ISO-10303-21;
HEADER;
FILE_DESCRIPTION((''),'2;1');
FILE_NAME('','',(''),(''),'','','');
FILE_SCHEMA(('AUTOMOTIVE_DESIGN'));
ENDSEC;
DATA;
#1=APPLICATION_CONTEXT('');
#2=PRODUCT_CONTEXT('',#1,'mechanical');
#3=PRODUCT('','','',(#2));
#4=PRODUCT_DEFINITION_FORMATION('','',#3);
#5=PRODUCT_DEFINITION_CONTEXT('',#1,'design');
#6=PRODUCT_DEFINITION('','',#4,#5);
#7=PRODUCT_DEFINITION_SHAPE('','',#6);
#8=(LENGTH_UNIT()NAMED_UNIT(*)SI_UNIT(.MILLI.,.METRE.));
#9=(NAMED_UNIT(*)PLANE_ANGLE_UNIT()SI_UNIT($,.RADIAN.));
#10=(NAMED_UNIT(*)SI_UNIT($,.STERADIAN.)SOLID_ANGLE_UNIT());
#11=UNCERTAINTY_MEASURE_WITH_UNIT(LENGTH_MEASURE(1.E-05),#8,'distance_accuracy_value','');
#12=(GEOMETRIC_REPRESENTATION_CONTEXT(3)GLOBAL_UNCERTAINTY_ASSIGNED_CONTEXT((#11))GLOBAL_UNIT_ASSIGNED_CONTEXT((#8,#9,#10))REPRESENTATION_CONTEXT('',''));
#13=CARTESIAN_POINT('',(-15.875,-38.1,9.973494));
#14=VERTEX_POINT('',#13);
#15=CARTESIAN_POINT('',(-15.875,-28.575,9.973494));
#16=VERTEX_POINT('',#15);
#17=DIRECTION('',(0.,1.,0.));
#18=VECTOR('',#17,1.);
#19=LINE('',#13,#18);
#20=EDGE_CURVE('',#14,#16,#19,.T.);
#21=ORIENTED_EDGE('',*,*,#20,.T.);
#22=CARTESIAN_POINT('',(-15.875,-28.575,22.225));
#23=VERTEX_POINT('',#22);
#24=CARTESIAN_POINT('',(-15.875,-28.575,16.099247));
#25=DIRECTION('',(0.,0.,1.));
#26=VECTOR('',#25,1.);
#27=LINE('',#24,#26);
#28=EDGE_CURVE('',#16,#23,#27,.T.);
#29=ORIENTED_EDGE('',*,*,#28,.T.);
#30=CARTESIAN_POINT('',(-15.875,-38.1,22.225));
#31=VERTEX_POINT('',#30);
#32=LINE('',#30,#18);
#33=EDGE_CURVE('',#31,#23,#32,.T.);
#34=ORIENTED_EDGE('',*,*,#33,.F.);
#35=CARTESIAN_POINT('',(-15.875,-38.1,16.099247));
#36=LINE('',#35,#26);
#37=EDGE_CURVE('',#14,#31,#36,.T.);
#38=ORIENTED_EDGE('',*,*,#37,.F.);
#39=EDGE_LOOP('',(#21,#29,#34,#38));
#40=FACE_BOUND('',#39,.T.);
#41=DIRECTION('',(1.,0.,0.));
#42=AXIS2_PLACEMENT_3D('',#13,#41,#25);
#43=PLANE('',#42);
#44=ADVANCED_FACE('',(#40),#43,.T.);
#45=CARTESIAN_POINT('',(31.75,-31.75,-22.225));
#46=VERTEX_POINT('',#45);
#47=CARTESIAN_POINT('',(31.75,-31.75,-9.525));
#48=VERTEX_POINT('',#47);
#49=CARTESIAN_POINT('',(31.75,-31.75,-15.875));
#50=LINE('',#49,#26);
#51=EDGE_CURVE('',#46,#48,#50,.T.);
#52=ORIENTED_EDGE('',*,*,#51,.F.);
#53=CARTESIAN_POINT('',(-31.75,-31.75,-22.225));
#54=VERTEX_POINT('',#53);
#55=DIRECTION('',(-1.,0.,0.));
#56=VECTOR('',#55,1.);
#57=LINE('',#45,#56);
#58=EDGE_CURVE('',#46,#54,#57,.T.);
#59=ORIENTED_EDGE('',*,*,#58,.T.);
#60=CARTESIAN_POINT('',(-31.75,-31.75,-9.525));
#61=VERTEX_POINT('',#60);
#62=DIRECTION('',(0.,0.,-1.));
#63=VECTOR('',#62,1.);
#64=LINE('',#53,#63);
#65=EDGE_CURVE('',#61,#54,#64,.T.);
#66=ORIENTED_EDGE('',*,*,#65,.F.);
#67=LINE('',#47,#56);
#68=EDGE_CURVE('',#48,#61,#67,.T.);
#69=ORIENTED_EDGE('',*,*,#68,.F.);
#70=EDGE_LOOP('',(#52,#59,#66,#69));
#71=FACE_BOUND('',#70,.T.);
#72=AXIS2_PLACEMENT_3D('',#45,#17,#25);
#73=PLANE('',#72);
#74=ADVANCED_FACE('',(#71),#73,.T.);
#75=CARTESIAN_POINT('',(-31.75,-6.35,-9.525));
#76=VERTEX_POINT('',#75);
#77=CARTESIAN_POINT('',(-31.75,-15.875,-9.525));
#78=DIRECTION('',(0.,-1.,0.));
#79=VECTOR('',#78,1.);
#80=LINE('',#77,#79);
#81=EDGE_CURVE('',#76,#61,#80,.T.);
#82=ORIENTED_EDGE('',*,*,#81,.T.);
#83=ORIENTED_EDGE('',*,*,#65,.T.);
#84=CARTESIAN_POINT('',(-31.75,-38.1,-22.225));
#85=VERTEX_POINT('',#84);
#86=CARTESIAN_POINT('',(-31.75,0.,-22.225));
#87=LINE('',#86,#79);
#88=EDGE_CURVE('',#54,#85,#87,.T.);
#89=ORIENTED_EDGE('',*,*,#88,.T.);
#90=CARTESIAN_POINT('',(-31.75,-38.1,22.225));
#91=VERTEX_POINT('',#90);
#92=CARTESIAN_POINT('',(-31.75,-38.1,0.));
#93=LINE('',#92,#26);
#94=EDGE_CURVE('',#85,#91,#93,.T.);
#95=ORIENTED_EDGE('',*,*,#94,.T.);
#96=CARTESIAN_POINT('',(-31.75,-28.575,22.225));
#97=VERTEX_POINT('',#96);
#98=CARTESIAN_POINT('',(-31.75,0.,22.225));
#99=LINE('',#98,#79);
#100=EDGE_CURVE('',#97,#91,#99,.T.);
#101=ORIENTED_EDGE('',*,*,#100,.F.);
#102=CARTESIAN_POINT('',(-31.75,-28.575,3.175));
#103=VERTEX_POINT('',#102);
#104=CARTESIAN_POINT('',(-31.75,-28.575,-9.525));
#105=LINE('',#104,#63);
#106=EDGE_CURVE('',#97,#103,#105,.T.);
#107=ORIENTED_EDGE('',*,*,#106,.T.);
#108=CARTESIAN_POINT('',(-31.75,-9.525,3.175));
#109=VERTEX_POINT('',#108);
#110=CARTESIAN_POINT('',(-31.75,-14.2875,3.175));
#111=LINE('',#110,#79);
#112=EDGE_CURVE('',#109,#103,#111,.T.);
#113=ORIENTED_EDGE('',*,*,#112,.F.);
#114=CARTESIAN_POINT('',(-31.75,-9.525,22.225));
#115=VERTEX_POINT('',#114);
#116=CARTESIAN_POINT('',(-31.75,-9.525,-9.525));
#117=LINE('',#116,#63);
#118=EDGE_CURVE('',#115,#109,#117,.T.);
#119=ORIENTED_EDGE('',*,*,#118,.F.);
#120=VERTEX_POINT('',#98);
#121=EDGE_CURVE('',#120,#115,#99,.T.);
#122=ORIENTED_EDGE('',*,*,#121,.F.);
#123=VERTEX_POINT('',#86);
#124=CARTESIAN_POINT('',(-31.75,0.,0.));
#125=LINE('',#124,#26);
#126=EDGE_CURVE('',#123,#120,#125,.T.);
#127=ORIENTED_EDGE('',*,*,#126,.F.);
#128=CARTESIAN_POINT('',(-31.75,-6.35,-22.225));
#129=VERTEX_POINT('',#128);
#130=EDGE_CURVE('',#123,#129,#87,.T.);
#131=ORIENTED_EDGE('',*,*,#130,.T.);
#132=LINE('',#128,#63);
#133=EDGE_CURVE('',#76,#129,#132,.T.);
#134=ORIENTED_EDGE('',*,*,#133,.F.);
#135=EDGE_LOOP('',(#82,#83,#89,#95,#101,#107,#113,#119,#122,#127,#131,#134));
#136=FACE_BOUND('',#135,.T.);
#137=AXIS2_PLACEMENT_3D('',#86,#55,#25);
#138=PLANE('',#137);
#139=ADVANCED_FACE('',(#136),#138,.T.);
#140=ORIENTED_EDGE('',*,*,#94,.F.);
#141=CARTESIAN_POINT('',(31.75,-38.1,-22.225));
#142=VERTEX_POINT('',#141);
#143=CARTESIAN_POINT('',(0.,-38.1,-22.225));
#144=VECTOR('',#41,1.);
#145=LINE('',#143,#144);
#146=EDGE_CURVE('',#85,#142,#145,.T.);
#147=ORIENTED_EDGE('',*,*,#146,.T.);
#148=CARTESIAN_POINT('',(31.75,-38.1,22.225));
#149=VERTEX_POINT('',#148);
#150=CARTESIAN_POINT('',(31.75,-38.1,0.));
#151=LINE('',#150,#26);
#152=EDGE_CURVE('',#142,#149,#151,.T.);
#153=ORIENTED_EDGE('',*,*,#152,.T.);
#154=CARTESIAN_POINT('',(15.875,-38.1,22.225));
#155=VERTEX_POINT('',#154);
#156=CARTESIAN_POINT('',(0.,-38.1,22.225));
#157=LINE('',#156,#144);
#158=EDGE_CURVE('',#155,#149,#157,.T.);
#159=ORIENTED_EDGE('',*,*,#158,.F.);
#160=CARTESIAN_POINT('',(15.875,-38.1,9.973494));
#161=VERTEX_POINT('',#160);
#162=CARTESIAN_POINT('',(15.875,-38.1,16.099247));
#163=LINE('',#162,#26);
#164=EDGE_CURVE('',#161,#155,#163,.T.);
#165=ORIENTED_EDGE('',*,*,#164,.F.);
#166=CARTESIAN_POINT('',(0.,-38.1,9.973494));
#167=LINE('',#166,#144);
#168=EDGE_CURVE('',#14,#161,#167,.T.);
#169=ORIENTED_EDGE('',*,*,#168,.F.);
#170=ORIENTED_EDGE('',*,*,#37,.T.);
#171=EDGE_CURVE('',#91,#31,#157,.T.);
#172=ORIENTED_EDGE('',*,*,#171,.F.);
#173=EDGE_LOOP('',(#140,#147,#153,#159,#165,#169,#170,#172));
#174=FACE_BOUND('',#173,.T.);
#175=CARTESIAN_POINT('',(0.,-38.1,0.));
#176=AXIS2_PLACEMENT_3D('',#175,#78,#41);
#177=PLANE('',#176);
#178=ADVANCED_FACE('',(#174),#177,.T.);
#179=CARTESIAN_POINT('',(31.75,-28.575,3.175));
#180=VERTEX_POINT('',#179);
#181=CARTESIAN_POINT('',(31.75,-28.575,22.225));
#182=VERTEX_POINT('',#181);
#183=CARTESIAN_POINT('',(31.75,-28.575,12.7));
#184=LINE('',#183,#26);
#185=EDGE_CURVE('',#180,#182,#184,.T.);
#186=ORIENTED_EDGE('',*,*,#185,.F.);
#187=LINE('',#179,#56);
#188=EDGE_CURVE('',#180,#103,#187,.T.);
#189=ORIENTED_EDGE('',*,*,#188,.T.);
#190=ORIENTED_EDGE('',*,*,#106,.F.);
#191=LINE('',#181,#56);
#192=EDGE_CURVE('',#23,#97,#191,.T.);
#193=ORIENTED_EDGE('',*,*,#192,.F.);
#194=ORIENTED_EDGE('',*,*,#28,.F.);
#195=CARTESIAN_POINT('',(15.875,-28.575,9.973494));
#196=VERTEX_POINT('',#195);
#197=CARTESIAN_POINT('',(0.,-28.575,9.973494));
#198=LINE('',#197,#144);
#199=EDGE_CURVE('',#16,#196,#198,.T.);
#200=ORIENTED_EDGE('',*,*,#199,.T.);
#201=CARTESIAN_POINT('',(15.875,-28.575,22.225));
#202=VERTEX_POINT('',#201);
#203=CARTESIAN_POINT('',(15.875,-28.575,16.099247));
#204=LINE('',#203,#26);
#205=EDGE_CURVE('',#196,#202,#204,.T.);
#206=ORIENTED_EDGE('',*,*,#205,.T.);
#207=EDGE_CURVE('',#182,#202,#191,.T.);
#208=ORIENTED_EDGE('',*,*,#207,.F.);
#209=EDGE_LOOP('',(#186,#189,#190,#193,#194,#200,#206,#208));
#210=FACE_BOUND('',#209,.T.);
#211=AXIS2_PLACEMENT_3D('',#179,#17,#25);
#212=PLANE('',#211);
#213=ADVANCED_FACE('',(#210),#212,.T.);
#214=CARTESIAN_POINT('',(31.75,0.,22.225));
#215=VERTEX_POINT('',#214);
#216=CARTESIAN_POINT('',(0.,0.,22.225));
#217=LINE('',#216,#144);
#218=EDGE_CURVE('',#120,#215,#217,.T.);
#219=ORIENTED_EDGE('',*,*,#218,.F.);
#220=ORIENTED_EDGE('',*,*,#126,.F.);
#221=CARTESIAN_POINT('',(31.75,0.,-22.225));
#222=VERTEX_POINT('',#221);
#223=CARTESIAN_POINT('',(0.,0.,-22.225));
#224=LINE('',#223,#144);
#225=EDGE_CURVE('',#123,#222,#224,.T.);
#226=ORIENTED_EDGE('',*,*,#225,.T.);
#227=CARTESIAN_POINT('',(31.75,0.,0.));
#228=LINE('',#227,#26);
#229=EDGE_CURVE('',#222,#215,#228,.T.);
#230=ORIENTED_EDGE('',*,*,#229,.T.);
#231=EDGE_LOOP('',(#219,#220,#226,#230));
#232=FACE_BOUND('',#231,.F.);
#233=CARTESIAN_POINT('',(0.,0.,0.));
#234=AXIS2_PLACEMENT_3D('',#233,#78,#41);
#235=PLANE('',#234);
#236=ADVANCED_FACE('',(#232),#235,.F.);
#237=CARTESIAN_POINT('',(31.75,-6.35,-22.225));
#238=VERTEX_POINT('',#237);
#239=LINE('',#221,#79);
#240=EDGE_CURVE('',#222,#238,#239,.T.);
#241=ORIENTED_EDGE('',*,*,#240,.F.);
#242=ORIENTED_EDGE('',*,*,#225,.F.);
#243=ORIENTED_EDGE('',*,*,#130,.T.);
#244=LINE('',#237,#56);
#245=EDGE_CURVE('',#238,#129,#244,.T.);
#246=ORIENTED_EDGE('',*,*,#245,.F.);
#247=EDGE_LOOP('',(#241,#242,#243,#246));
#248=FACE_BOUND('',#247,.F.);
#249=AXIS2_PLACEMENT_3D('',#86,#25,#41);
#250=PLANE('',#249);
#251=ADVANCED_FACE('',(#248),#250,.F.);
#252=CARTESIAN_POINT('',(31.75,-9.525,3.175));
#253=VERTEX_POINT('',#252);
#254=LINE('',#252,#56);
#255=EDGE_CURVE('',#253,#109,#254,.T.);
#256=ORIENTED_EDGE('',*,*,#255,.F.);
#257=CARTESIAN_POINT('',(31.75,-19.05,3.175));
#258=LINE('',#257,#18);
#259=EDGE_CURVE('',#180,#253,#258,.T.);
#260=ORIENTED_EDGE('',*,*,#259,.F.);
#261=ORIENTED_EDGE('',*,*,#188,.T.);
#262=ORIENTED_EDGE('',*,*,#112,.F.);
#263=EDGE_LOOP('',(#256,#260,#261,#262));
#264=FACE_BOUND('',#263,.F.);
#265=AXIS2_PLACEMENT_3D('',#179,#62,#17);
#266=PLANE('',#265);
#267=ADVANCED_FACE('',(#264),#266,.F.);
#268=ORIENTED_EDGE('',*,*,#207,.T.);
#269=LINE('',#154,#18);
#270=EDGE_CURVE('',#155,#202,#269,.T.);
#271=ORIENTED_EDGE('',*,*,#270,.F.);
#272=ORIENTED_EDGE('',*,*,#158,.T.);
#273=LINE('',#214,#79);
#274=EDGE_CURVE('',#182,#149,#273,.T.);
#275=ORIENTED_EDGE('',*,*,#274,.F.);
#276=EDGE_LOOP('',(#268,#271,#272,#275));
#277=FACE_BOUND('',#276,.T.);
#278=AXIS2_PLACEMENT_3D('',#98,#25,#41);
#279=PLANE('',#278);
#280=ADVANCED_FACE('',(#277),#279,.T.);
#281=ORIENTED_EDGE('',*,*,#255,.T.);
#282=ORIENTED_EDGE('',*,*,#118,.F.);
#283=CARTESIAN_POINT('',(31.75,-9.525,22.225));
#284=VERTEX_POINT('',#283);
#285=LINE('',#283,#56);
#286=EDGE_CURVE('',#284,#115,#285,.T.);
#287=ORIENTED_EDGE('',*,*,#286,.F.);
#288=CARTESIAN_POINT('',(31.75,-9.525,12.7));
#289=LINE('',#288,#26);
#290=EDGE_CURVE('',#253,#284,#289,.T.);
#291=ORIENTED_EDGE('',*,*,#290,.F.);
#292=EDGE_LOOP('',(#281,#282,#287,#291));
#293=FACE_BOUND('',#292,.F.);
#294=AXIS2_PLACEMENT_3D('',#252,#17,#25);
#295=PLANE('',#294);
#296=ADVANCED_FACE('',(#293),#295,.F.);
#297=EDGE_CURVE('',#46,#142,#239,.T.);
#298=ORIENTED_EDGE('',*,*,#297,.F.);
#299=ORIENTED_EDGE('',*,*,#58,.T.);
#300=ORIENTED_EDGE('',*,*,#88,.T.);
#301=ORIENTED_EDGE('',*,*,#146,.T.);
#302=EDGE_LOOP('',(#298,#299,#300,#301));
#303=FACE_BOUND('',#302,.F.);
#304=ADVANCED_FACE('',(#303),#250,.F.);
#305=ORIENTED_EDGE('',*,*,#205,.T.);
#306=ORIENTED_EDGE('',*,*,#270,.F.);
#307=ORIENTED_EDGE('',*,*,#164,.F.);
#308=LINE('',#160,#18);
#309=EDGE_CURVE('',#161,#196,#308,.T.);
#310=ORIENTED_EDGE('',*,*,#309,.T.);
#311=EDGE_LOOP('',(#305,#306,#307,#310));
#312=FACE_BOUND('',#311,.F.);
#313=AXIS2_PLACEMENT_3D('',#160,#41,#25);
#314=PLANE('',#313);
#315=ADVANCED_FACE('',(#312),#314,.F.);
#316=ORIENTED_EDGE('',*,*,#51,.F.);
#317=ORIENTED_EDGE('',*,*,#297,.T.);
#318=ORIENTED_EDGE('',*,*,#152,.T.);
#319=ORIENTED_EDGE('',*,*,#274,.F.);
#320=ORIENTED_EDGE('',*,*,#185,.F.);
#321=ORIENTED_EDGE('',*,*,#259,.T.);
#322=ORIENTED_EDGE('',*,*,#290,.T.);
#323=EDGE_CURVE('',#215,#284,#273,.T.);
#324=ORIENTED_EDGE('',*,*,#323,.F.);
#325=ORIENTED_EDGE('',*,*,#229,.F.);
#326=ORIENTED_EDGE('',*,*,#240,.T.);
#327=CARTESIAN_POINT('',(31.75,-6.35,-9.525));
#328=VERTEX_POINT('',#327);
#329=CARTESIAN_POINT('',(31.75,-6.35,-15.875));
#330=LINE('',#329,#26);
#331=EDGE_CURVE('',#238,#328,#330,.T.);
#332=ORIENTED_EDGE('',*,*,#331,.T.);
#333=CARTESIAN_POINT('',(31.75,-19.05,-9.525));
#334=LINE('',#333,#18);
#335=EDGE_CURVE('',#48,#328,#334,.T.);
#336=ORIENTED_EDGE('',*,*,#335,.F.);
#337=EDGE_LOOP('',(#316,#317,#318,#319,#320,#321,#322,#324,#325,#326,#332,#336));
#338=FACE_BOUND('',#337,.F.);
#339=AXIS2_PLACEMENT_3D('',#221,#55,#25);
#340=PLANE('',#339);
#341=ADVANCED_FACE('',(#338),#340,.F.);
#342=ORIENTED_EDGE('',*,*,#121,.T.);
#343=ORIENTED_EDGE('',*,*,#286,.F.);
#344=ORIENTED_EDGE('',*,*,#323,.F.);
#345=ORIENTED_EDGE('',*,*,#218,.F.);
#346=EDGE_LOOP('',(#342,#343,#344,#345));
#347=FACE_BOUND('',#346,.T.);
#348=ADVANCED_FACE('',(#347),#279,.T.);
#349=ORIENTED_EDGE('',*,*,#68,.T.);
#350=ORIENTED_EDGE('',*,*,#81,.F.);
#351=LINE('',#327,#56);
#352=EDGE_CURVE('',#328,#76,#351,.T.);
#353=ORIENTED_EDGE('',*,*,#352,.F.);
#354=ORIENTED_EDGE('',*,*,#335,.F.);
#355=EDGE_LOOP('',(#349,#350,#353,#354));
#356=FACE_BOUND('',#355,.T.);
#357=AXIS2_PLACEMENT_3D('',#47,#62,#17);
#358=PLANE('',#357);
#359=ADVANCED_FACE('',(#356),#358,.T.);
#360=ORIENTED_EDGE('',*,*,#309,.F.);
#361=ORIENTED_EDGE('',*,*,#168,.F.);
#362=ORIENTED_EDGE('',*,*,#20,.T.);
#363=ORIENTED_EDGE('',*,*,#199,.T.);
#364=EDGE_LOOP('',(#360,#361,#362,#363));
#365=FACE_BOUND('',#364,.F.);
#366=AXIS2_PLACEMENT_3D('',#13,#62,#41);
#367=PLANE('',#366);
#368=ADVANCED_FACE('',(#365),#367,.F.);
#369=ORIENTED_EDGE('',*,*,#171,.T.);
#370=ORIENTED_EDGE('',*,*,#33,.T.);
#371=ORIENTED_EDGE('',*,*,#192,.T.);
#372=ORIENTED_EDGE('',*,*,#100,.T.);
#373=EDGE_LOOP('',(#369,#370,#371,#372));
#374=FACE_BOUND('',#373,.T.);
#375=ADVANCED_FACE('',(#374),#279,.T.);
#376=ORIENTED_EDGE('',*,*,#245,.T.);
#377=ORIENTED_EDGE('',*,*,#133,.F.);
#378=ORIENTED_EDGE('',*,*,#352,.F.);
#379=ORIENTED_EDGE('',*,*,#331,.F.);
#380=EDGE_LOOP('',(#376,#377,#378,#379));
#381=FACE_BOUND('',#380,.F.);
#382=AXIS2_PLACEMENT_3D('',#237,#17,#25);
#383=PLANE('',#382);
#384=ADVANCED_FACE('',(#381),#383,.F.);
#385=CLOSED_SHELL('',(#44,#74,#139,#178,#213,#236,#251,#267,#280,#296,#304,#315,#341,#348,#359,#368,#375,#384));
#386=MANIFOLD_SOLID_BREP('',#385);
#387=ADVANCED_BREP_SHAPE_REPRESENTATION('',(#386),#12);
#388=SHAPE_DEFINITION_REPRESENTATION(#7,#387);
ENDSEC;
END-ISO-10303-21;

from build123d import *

# Parameters (mm, degrees)
F0_W     = 63.5
F0_H     = 44.45
F1_DEPTH = 38.1
F2_W     = 19.05
F2_H     = 19.05
F3_DEPTH = 63.501
F4_W     = 31.75
F4_H     = 12.251506
F5_DEPTH = 9.525
F6_W     = 25.4
F6_H     = 12.7
F7_DEPTH = 63.501


with BuildPart() as f1:
    # F0 (on Front) → F1 (new body)
    with BuildSketch(Plane.XZ):
        Rectangle(F0_W, F0_H)
    extrude(amount=F1_DEPTH)

    # F2 (on face) → F3 (cut, through all)
    with BuildSketch(Plane.YZ.offset(31.75)):
        with Locations((-19.05, 12.7)):
            Rectangle(F2_W, F2_H)
    extrude(amount=-F3_DEPTH, mode=Mode.SUBTRACT)

    # F4 (on face) → F5 (cut)
    with BuildSketch(Plane.XZ.offset(38.1)):
        with Locations((0, 16.099247)):
            Rectangle(F4_W, F4_H)
    extrude(amount=-F5_DEPTH, mode=Mode.SUBTRACT)

    # F6 (on face) → F7 (cut, through all)
    with BuildSketch(Plane.YZ.offset(31.75)):
        with Locations((-19.05, -15.875)):
            Rectangle(F6_W, F6_H)
    extrude(amount=-F7_DEPTH, mode=Mode.SUBTRACT)


solid = f1.part
